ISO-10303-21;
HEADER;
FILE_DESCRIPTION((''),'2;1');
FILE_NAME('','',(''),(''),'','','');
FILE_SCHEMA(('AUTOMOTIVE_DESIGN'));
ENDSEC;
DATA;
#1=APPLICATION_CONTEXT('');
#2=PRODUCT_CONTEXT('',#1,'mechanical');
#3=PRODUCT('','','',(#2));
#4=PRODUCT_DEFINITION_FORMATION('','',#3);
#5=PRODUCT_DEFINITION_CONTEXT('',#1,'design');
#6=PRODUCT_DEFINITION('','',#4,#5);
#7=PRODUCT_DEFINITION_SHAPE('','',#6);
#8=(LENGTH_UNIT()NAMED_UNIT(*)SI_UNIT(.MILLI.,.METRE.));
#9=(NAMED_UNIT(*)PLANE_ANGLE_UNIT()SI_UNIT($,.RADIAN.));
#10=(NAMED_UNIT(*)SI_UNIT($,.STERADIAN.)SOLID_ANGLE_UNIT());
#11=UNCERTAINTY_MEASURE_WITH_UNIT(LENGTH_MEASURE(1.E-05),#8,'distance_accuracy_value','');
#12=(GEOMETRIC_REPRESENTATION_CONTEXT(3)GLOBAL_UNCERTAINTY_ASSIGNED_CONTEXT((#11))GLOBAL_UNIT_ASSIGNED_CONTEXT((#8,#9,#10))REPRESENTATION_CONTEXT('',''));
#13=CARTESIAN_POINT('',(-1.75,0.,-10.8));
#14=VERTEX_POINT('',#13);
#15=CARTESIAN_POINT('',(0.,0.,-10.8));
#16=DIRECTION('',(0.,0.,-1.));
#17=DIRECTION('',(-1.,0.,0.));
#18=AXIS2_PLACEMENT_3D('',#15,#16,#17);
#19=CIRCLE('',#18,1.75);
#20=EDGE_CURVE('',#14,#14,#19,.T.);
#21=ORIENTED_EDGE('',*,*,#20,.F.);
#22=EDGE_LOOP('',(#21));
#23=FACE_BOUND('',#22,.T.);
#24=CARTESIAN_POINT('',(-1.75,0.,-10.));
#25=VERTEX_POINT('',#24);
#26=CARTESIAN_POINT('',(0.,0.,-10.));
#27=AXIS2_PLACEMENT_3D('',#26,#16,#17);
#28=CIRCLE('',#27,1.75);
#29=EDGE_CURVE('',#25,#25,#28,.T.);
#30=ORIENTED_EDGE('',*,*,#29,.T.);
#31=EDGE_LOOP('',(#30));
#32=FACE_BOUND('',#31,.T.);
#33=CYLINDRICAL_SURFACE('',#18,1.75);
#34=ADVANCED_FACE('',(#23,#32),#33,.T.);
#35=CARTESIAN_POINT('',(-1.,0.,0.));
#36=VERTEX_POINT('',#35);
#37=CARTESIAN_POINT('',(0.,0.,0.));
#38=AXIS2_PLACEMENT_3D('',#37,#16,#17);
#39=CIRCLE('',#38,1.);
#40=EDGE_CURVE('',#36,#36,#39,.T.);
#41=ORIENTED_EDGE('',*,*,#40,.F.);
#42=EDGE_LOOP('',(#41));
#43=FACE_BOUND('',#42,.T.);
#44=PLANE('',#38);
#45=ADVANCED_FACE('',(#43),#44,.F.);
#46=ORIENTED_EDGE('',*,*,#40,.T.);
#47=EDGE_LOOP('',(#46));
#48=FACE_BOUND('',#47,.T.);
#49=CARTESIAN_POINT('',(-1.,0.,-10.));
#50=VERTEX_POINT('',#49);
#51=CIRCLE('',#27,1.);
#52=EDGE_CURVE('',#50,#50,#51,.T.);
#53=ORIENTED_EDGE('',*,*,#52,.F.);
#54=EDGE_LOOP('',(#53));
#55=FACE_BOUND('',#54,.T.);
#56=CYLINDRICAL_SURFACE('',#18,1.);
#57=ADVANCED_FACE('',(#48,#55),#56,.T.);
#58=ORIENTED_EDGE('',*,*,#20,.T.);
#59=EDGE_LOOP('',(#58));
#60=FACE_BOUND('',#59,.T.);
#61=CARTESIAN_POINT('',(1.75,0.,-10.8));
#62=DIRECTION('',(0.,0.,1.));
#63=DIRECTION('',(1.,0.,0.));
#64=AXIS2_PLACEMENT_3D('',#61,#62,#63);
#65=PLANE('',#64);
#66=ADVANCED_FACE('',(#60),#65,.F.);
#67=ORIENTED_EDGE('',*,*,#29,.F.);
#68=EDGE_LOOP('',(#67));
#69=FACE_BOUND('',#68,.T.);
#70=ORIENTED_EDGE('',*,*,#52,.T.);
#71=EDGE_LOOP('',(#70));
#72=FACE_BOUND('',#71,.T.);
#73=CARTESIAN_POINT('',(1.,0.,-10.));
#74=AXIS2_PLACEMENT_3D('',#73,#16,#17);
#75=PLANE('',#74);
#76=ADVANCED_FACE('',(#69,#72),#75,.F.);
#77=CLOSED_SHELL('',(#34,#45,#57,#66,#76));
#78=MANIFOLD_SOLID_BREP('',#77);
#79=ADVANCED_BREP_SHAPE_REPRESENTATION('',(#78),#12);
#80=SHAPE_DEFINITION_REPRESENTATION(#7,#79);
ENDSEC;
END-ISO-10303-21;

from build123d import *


with BuildPart() as part:
    # Sketch1 → Revolve1 (revolve)
    with BuildSketch(Plane(origin=(0, 0, 0), x_dir=(1, 0, 0), z_dir=(0, 1, 0)), mode=Mode.PRIVATE) as revolve1_sk:
        Polygon((0, 0), (1, 0), (1, 10), (1.75, 10), (1.75, 10.8), (0, 10.8), align=None)
    revolve(revolve1_sk.sketch.rotate(Axis((0, 0, -10.8), (0, 0, 1)), 180), axis=Axis((0, 0, -10.8), (0, 0, 1)))


solid = part.part
